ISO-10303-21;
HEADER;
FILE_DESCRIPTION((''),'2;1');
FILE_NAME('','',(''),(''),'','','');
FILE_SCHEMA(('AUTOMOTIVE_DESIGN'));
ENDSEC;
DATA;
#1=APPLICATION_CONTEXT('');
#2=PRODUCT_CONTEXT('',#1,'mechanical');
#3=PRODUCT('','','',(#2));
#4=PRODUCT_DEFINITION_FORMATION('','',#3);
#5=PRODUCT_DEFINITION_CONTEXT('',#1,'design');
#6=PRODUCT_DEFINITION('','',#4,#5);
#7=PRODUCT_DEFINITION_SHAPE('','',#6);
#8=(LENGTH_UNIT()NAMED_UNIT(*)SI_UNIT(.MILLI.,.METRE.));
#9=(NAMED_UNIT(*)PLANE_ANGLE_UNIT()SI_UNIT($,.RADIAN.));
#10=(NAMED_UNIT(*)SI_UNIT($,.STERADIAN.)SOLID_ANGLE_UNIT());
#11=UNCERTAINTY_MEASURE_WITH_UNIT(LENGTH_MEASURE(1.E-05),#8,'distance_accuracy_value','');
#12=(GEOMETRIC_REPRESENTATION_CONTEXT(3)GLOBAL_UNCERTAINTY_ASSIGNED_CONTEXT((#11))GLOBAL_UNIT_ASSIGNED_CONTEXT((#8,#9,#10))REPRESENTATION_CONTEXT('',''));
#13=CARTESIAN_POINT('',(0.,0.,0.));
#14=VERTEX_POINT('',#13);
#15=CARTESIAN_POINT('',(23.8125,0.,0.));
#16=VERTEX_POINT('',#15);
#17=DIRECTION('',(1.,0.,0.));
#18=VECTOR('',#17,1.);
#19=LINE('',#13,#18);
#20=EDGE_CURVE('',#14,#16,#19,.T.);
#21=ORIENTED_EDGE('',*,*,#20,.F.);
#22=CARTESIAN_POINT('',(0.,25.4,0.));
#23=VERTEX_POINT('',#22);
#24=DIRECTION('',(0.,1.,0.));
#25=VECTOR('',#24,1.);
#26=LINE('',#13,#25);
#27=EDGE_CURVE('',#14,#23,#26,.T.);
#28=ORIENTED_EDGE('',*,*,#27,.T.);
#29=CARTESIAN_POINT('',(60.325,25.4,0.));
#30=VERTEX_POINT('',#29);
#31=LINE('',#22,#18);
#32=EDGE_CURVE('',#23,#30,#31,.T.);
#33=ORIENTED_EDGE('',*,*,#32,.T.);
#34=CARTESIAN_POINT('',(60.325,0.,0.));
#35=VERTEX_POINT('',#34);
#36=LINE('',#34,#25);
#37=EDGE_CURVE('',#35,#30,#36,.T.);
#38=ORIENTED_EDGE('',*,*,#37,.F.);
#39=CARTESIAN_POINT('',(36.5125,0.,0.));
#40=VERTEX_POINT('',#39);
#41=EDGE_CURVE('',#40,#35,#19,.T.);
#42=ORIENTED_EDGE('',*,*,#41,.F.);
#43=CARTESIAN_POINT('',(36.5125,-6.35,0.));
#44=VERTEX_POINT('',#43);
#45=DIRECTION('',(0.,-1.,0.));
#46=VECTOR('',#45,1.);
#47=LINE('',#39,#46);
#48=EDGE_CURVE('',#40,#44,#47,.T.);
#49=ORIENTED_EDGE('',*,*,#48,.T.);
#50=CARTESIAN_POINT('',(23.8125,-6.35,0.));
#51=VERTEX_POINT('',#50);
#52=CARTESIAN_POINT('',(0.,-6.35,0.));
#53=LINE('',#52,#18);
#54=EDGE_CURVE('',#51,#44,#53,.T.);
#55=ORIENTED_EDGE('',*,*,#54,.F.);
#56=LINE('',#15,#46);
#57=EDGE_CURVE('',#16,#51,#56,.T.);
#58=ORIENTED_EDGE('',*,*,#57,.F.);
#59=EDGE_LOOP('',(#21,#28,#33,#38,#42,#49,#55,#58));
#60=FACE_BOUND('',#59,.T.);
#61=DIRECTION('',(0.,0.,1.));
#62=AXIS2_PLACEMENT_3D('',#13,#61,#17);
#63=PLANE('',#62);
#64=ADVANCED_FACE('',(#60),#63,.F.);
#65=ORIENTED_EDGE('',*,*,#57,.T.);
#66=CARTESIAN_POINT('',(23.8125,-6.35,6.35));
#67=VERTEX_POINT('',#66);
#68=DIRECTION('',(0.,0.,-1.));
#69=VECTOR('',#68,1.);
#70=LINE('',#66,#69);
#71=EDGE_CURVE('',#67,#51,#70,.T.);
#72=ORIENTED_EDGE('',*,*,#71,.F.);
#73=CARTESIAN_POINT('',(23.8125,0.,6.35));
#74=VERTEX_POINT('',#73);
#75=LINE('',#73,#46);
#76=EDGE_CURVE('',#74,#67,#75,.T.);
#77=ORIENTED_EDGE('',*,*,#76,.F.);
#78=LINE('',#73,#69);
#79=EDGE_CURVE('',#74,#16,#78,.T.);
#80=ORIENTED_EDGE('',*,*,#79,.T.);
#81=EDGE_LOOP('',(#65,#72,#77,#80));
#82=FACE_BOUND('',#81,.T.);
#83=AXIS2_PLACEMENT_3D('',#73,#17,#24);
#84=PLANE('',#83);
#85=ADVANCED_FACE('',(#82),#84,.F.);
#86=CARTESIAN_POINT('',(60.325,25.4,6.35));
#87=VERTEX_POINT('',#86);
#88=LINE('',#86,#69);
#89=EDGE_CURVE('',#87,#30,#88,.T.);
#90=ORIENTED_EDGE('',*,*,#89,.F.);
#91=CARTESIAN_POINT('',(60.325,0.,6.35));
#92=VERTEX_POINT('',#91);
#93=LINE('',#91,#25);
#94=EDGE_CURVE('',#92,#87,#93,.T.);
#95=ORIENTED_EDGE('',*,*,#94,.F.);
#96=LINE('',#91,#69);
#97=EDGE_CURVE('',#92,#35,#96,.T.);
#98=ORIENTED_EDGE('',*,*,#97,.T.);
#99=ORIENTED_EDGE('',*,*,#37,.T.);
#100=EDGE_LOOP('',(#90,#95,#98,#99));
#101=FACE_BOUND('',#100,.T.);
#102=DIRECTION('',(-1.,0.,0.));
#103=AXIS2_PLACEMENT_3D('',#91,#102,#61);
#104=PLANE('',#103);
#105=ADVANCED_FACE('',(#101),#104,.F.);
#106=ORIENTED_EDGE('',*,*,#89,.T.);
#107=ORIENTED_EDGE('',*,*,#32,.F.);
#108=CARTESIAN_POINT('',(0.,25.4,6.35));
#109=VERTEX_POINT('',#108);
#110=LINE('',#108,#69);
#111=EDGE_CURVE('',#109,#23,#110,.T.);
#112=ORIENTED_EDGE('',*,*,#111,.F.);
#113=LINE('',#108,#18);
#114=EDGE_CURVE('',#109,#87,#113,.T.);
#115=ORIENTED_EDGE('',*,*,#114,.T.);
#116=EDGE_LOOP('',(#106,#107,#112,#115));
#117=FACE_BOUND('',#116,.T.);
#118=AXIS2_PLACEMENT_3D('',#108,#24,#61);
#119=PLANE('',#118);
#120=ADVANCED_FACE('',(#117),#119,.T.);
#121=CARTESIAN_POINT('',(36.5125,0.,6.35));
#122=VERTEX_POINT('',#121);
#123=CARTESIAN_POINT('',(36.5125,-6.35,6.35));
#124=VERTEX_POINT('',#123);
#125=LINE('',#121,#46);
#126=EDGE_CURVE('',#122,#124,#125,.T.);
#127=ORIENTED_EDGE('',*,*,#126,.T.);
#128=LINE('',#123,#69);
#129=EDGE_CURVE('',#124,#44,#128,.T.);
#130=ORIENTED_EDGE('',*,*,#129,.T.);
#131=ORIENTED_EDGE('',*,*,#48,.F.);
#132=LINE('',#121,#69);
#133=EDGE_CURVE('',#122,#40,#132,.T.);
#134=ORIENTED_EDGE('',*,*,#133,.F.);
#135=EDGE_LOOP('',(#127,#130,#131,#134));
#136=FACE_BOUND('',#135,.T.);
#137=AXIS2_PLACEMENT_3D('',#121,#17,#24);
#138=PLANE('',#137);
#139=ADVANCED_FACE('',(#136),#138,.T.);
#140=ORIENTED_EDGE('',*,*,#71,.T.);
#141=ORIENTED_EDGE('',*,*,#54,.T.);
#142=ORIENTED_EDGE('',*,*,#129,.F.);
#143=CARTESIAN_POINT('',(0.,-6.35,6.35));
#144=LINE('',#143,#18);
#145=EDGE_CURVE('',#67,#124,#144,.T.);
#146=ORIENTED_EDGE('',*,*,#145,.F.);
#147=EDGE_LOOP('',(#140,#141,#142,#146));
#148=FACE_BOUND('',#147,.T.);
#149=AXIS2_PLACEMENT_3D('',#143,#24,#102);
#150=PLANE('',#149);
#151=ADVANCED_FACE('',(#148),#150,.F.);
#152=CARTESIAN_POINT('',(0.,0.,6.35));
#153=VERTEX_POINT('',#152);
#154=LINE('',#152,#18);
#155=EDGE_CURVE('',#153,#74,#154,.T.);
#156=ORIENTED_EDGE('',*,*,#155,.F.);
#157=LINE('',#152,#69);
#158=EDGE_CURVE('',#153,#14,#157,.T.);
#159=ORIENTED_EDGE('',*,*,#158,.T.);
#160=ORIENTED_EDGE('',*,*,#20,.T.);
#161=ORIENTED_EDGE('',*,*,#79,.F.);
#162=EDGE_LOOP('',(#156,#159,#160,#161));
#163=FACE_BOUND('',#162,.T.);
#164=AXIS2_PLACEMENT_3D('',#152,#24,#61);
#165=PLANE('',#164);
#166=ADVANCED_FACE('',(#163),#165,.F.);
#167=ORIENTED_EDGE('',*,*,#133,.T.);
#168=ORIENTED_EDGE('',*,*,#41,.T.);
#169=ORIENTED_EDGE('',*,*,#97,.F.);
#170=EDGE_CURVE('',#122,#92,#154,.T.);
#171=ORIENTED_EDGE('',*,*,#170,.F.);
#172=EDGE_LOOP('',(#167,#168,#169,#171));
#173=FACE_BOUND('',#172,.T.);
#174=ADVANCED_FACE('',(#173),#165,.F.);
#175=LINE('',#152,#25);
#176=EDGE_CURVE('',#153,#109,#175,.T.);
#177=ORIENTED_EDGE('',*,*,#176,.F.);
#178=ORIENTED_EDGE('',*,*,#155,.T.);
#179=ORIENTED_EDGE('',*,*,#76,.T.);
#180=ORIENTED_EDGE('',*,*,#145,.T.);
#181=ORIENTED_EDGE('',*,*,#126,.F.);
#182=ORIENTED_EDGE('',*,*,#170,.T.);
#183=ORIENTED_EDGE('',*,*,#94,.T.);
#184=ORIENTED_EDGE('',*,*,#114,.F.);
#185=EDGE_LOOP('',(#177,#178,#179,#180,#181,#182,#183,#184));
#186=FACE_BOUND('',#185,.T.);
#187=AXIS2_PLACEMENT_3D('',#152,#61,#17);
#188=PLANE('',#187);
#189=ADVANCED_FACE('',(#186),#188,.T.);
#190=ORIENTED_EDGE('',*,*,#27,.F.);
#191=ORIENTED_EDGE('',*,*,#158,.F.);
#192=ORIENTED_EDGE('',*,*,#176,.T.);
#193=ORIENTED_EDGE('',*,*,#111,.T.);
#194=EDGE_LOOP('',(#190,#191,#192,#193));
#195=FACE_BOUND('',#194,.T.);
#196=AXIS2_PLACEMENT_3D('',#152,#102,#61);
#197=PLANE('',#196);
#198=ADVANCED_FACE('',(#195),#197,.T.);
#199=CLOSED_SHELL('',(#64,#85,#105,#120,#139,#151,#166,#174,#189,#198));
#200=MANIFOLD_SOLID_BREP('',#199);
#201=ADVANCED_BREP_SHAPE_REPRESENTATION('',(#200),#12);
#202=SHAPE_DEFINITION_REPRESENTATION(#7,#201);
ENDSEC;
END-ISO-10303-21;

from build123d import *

# Parameters (mm, degrees)
SKETCH2_W           = 12.7
SKETCH2_H           = 6.35
SKETCH2_W_2         = 60.325
SKETCH2_H_2         = 25.4
BOSS_EXTRUDE1_DEPTH = 6.35


with BuildPart() as part:
    # Sketch2 → Boss-Extrude1 (new body)
    with BuildSketch(Plane.XY):
        with Locations((30.1625, -3.175)):
            Rectangle(SKETCH2_W, SKETCH2_H)
        with Locations((30.1625, 12.7)):
            Rectangle(SKETCH2_W_2, SKETCH2_H_2)
    extrude(amount=BOSS_EXTRUDE1_DEPTH)


solid = part.part
